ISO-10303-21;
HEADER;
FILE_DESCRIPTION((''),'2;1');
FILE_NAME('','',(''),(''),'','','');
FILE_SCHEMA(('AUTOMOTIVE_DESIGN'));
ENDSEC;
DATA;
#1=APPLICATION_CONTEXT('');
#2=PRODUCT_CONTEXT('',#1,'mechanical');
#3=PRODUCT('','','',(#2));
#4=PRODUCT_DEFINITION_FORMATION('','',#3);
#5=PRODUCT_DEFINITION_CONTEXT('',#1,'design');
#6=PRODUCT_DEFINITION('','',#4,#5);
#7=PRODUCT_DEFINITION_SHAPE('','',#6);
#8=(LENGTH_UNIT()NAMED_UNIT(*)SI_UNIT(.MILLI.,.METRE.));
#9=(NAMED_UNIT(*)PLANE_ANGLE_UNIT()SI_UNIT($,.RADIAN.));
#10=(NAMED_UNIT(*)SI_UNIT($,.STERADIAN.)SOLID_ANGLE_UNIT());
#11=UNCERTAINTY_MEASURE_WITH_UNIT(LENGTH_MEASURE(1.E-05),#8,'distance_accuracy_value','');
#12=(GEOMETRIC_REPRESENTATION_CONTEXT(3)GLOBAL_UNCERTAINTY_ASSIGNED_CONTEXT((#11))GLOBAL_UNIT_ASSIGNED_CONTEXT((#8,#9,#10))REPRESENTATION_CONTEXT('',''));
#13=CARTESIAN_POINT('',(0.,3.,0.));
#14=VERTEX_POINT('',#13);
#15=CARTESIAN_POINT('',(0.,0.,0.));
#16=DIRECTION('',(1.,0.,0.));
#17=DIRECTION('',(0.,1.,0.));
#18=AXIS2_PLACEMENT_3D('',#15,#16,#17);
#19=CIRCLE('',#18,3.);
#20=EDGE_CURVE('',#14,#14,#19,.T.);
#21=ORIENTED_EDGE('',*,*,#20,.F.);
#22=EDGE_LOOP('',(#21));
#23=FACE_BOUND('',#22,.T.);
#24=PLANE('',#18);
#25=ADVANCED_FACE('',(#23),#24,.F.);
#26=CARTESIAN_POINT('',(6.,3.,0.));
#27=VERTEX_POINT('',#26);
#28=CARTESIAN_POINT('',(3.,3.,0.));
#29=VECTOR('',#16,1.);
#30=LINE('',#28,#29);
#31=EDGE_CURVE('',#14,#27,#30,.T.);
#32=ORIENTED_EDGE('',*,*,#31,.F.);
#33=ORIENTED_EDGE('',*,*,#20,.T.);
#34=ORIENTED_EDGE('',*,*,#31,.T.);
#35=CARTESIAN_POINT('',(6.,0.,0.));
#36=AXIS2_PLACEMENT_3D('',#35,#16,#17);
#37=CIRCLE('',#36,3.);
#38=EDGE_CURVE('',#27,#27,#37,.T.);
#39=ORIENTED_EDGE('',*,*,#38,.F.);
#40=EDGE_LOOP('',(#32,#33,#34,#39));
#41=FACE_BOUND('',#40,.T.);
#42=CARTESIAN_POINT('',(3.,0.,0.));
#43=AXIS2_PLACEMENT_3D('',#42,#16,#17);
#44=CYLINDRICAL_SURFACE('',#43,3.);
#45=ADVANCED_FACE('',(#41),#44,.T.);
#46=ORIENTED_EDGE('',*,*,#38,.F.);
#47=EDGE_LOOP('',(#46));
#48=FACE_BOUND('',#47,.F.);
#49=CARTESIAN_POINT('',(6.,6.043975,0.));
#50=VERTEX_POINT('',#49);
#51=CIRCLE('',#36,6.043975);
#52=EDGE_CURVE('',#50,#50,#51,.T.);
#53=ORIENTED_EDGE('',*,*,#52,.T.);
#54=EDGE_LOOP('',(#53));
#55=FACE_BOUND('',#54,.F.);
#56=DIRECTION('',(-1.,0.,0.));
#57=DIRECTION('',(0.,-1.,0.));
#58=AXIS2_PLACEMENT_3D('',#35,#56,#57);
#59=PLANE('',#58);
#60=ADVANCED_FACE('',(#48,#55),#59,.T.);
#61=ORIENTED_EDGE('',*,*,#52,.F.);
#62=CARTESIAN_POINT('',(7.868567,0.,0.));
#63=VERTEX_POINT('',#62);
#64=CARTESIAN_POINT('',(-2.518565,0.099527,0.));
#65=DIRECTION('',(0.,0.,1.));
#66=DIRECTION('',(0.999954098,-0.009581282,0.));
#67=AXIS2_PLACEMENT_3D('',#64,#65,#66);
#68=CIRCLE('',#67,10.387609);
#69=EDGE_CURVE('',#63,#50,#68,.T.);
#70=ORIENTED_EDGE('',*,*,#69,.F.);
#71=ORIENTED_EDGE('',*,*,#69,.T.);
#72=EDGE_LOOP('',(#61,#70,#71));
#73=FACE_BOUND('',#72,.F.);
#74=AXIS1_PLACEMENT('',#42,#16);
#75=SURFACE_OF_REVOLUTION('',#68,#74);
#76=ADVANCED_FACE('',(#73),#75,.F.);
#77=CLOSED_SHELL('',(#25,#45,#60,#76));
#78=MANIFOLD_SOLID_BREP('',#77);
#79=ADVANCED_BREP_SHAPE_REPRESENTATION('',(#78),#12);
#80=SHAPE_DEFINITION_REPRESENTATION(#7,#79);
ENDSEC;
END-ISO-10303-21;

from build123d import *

# Parameters (mm, degrees)
F0_W = 6
F0_H = 3


with BuildPart() as f1:
    # F0 (on Top) → F1 (revolve)
    with BuildSketch(Plane.XY):
        with Locations((3, 1.5)):
            Rectangle(F0_W, F0_H)
        with BuildLine():
            Line((6, 3), (6, 0))
            Line((6, 0), (7.868567, 0))
            ThreePointArc((7.868567, 0), (7.405585, 3.167696), (6, 6.043975))
            Line((6, 6.043975), (6, 3))
        make_face()
    revolve(axis=Axis((3, 0, 0), (1, 0, 0)))


solid = f1.part
